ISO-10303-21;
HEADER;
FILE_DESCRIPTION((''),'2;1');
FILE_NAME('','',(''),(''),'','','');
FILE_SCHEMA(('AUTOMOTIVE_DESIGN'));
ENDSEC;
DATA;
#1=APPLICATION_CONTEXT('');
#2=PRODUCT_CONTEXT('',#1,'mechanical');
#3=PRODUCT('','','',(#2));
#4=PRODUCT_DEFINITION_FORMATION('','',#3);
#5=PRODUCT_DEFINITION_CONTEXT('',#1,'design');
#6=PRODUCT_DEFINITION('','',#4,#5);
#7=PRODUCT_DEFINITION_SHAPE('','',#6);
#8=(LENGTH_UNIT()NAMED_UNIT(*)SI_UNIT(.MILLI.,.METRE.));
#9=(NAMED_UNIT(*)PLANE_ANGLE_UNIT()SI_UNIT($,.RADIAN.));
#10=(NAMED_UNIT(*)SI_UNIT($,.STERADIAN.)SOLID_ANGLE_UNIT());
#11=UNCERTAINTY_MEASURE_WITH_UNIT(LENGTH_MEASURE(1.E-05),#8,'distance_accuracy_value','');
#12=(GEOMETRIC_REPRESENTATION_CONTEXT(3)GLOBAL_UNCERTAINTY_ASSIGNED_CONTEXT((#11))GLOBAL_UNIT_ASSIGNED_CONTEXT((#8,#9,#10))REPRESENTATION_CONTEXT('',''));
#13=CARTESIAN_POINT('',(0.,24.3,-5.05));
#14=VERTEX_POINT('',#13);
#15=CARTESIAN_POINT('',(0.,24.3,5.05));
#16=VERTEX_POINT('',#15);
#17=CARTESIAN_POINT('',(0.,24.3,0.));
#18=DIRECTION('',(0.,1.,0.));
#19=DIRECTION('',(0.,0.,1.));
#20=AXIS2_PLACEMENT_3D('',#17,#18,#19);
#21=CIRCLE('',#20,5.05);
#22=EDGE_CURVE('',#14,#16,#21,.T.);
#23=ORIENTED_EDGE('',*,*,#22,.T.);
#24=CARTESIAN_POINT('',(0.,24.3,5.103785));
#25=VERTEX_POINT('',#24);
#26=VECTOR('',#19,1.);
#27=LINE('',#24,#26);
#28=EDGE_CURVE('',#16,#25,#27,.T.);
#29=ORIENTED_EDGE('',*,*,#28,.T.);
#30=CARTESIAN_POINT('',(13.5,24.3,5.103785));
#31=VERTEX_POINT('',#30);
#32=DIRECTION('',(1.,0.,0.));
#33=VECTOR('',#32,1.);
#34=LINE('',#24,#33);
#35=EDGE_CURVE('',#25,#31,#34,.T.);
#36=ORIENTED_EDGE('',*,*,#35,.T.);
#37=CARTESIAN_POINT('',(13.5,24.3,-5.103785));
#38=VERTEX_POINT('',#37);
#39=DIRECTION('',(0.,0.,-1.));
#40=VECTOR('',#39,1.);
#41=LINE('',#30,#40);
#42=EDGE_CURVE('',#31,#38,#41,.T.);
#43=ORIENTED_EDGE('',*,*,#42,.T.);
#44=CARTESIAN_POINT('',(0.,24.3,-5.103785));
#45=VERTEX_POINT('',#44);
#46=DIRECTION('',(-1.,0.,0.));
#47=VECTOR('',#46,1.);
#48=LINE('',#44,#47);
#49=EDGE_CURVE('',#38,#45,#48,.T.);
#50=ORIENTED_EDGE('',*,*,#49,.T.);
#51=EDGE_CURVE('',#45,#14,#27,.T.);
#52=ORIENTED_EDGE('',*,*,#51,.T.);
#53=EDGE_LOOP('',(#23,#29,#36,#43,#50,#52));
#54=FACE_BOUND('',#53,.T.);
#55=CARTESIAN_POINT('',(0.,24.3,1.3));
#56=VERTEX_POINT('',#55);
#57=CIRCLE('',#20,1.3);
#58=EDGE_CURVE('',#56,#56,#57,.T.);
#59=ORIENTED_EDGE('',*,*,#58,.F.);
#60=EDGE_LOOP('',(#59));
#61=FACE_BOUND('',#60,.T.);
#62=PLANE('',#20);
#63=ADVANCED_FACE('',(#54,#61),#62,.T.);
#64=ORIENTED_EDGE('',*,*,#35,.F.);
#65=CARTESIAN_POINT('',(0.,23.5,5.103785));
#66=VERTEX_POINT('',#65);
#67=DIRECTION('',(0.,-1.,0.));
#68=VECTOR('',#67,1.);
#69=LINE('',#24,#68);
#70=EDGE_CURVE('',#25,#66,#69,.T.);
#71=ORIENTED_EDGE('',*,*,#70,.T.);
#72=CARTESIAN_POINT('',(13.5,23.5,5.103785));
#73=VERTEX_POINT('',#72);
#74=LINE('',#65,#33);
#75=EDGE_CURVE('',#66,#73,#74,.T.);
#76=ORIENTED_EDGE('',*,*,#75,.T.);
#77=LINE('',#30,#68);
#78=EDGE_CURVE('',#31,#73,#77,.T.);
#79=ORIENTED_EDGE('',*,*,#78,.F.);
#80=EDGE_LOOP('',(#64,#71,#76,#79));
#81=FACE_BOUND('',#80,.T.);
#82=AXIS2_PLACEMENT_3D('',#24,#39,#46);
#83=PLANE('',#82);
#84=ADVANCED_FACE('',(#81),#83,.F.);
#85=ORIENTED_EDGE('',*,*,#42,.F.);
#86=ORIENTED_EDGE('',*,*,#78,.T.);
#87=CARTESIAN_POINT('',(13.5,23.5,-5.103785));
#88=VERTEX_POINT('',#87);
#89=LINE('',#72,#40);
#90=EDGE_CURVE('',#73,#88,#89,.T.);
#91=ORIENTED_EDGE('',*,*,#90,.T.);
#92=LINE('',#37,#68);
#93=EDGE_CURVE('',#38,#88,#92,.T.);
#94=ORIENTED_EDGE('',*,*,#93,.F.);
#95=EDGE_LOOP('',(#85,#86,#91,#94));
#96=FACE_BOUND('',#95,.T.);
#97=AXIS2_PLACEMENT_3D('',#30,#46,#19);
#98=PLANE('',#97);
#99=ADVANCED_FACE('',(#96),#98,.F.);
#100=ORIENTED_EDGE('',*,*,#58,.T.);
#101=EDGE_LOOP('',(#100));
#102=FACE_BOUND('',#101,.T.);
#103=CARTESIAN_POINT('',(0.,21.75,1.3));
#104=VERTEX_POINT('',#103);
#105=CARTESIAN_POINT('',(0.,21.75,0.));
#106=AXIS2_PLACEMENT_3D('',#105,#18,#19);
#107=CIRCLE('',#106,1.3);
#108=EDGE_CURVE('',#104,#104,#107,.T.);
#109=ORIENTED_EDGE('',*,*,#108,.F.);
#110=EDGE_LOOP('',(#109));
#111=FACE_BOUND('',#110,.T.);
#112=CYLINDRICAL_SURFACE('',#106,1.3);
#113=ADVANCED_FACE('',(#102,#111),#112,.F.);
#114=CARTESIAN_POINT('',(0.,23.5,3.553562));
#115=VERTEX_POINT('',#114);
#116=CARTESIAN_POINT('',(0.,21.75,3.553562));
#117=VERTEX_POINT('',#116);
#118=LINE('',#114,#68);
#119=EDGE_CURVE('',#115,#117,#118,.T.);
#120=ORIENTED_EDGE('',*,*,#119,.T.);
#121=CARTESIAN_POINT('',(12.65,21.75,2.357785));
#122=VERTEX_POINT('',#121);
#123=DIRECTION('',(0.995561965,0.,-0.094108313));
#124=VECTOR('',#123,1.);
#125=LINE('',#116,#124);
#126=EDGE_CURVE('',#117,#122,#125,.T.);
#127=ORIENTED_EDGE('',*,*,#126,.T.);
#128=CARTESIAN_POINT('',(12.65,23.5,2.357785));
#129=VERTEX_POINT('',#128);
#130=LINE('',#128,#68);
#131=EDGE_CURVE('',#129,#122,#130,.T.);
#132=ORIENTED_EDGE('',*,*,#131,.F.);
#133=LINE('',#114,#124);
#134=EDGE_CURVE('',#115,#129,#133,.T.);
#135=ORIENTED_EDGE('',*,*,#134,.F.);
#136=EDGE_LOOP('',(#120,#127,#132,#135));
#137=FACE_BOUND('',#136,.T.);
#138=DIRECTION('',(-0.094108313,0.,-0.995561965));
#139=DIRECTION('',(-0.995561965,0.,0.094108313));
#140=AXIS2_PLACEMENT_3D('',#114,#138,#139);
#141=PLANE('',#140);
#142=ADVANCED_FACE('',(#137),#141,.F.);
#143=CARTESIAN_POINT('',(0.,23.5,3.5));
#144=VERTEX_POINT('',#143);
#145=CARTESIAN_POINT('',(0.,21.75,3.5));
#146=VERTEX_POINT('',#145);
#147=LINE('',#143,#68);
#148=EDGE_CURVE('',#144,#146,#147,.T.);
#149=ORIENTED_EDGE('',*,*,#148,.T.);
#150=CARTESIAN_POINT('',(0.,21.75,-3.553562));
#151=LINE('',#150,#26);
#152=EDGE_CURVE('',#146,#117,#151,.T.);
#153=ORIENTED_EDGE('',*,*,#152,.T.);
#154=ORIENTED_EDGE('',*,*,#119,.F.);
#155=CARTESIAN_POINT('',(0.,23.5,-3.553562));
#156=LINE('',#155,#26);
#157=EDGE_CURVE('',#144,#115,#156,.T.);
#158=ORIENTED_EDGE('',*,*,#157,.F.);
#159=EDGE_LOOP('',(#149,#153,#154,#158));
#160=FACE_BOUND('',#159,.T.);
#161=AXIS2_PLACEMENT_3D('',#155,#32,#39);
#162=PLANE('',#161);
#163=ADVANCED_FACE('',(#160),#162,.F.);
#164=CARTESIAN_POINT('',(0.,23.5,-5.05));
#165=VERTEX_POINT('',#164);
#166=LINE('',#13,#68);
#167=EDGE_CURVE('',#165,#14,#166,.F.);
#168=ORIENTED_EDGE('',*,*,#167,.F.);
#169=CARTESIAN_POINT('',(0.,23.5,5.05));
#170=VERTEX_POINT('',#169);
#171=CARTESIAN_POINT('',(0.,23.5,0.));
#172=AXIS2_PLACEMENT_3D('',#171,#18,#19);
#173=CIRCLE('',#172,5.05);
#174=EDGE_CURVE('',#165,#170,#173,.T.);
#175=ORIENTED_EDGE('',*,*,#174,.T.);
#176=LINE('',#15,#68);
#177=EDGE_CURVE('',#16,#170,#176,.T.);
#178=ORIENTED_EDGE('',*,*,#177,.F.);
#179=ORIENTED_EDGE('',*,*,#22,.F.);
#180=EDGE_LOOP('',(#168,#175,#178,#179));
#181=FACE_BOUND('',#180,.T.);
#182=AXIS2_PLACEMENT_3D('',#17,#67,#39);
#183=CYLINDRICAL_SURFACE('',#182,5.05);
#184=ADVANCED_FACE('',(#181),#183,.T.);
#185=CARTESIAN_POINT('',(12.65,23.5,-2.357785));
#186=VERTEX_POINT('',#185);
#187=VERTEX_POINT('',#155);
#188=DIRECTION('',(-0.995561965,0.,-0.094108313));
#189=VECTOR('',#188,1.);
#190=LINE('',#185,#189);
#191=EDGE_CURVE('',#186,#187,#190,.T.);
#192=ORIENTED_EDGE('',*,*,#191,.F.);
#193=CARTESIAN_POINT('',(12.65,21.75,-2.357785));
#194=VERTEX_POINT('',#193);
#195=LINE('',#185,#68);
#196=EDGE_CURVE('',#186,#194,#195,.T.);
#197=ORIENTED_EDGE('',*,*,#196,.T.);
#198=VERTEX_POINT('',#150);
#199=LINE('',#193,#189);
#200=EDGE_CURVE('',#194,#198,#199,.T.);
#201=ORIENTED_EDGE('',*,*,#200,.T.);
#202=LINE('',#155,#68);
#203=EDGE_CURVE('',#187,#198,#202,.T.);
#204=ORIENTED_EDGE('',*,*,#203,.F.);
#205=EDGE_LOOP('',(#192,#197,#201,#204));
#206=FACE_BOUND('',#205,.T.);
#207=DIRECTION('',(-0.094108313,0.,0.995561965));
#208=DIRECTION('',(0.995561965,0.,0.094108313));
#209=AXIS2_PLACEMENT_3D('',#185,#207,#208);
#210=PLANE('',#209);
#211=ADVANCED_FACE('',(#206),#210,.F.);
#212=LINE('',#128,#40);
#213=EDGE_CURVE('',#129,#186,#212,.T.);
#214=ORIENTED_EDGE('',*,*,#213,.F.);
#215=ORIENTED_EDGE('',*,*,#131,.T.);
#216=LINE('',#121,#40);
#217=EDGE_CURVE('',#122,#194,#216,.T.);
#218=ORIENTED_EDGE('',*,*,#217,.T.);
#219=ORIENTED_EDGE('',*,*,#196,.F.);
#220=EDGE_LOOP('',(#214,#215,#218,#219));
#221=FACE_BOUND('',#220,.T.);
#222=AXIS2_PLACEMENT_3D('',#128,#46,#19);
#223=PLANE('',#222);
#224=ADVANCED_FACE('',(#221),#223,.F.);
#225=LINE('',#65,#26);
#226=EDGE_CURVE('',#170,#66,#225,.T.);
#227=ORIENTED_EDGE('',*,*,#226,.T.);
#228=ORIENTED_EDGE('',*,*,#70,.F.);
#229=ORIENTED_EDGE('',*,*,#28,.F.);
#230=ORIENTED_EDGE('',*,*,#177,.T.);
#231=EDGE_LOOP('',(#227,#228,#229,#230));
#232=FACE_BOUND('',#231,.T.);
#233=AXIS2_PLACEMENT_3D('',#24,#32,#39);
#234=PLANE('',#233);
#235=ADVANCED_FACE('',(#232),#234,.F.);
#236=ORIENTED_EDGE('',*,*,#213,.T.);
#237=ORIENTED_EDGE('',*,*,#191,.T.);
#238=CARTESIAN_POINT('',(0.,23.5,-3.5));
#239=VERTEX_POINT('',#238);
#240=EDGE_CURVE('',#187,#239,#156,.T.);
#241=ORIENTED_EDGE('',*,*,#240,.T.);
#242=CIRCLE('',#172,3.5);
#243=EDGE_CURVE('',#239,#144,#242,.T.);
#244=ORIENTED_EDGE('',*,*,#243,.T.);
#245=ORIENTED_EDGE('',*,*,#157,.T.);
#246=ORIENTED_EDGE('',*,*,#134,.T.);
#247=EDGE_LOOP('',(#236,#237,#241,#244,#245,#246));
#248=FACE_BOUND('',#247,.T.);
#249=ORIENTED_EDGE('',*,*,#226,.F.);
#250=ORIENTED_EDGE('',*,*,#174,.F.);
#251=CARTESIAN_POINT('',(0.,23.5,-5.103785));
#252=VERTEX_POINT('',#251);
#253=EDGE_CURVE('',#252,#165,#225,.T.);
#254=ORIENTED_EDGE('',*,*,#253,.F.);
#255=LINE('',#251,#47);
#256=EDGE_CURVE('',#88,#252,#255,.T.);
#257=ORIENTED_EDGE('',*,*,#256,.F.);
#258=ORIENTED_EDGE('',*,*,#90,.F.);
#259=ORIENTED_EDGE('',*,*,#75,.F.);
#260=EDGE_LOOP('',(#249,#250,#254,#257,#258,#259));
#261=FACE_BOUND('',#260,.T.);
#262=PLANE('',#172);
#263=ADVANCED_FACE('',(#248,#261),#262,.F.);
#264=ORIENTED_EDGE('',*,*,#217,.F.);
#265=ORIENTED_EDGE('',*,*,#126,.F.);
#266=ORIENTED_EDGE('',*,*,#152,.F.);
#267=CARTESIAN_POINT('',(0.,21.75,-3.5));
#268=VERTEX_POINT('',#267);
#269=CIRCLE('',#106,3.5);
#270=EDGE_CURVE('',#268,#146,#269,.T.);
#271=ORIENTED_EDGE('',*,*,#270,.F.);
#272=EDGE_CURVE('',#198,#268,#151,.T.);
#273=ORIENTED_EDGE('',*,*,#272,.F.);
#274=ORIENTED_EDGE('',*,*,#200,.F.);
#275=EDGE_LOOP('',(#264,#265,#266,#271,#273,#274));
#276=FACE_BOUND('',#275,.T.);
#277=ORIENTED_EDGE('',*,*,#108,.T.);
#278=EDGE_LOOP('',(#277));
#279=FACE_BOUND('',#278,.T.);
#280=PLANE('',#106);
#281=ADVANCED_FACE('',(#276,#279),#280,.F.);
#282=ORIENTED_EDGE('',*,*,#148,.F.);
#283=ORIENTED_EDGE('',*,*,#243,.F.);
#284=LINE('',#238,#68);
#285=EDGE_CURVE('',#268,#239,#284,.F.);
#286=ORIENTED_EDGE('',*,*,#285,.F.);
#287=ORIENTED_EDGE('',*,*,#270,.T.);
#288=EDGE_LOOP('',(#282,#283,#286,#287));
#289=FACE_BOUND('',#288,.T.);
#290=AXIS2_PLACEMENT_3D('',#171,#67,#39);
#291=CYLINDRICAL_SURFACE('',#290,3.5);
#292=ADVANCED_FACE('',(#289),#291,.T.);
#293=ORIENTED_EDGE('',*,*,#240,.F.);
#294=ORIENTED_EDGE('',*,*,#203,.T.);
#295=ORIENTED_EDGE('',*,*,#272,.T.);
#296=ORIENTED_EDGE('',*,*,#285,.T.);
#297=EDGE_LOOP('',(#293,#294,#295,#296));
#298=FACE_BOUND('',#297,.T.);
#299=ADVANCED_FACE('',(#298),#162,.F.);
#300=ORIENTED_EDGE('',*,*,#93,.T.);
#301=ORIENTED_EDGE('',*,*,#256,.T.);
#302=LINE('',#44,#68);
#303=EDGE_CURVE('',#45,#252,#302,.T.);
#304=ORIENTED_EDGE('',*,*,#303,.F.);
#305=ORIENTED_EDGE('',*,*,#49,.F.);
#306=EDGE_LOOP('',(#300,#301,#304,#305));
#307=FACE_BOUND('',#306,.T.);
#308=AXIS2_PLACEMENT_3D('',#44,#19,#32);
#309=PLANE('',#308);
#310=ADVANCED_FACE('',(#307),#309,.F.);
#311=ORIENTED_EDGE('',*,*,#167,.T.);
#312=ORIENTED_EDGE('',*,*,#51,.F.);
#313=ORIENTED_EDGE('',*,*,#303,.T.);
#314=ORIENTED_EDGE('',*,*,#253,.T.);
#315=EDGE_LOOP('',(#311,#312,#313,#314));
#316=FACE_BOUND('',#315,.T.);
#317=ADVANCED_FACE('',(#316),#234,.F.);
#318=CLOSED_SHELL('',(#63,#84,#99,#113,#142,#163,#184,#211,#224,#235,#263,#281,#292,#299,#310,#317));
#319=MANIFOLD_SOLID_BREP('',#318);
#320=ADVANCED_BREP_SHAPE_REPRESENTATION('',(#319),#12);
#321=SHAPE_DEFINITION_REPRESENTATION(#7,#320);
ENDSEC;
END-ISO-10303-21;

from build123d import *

# Parameters (mm, degrees)
BOSS_EXTRUDE1_START = 22.625
SKETCH1_R           = 3.5
BOSS_EXTRUDE1_DEPTH = 0.875
BOSS_EXTRUDE2_START = 22.625
BOSS_EXTRUDE2_DEPTH = 0.875
BOSS_EXTRUDE3_START = 23.9
SKETCH3_R           = 5.05
BOSS_EXTRUDE3_DEPTH = 0.4
BOSS_EXTRUDE4_START = 23.9
SKETCH4_W           = 13.5
SKETCH4_H           = 10.207569722
BOSS_EXTRUDE4_DEPTH = 0.4
CUT_EXTRUDE1_START  = 23.025
SKETCH5_R           = 1.3
CUT_EXTRUDE1_DEPTH  = 1.275


with BuildPart() as part:
    # Sketch1 → Boss-Extrude1 (new, symmetric)
    with BuildSketch(Plane(origin=(0, 0, 0), x_dir=(1, 0, 0), z_dir=(0, 1, 0)).offset(BOSS_EXTRUDE1_START)):
        with Locations(Location((0, 0, 0), (0, 0, 270))):
            Circle(SKETCH1_R)
    extrude(amount=BOSS_EXTRUDE1_DEPTH, both=True)

    # Sketch2 → Boss-Extrude2 (add, symmetric)
    with BuildSketch(Plane(origin=(0, 0, 0), x_dir=(1, 0, 0), z_dir=(0, 1, 0)).offset(BOSS_EXTRUDE2_START)):
        Polygon((0, -3.55356197), (12.65, -2.357784906), (12.65, 2.357784906), (0, 3.55356197), align=None)
    extrude(amount=BOSS_EXTRUDE2_DEPTH, both=True)

    # Sketch3 → Boss-Extrude3 (add, symmetric)
    with BuildSketch(Plane(origin=(0, 0, 0), x_dir=(1, 0, 0), z_dir=(0, 1, 0)).offset(BOSS_EXTRUDE3_START)):
        with Locations(Location((0, 0, 0), (0, 0, 39.071364061))):
            Circle(SKETCH3_R)
    extrude(amount=BOSS_EXTRUDE3_DEPTH, both=True)

    # Sketch4 → Boss-Extrude4 (add, symmetric)
    with BuildSketch(Plane(origin=(0, 0, 0), x_dir=(1, 0, 0), z_dir=(0, 1, 0)).offset(BOSS_EXTRUDE4_START)):
        with Locations((6.75, 0)):
            Rectangle(SKETCH4_W, SKETCH4_H)
    extrude(amount=BOSS_EXTRUDE4_DEPTH, both=True)

    # Sketch5 → Cut-Extrude1 (cut, symmetric)
    with BuildSketch(Plane(origin=(0, 0, 0), x_dir=(1, 0, 0), z_dir=(0, 1, 0)).offset(CUT_EXTRUDE1_START)):
        with Locations(Location((0, 0, 0), (0, 0, 270))):
            Circle(SKETCH5_R)
    extrude(amount=CUT_EXTRUDE1_DEPTH, both=True, mode=Mode.SUBTRACT)


solid = part.part
